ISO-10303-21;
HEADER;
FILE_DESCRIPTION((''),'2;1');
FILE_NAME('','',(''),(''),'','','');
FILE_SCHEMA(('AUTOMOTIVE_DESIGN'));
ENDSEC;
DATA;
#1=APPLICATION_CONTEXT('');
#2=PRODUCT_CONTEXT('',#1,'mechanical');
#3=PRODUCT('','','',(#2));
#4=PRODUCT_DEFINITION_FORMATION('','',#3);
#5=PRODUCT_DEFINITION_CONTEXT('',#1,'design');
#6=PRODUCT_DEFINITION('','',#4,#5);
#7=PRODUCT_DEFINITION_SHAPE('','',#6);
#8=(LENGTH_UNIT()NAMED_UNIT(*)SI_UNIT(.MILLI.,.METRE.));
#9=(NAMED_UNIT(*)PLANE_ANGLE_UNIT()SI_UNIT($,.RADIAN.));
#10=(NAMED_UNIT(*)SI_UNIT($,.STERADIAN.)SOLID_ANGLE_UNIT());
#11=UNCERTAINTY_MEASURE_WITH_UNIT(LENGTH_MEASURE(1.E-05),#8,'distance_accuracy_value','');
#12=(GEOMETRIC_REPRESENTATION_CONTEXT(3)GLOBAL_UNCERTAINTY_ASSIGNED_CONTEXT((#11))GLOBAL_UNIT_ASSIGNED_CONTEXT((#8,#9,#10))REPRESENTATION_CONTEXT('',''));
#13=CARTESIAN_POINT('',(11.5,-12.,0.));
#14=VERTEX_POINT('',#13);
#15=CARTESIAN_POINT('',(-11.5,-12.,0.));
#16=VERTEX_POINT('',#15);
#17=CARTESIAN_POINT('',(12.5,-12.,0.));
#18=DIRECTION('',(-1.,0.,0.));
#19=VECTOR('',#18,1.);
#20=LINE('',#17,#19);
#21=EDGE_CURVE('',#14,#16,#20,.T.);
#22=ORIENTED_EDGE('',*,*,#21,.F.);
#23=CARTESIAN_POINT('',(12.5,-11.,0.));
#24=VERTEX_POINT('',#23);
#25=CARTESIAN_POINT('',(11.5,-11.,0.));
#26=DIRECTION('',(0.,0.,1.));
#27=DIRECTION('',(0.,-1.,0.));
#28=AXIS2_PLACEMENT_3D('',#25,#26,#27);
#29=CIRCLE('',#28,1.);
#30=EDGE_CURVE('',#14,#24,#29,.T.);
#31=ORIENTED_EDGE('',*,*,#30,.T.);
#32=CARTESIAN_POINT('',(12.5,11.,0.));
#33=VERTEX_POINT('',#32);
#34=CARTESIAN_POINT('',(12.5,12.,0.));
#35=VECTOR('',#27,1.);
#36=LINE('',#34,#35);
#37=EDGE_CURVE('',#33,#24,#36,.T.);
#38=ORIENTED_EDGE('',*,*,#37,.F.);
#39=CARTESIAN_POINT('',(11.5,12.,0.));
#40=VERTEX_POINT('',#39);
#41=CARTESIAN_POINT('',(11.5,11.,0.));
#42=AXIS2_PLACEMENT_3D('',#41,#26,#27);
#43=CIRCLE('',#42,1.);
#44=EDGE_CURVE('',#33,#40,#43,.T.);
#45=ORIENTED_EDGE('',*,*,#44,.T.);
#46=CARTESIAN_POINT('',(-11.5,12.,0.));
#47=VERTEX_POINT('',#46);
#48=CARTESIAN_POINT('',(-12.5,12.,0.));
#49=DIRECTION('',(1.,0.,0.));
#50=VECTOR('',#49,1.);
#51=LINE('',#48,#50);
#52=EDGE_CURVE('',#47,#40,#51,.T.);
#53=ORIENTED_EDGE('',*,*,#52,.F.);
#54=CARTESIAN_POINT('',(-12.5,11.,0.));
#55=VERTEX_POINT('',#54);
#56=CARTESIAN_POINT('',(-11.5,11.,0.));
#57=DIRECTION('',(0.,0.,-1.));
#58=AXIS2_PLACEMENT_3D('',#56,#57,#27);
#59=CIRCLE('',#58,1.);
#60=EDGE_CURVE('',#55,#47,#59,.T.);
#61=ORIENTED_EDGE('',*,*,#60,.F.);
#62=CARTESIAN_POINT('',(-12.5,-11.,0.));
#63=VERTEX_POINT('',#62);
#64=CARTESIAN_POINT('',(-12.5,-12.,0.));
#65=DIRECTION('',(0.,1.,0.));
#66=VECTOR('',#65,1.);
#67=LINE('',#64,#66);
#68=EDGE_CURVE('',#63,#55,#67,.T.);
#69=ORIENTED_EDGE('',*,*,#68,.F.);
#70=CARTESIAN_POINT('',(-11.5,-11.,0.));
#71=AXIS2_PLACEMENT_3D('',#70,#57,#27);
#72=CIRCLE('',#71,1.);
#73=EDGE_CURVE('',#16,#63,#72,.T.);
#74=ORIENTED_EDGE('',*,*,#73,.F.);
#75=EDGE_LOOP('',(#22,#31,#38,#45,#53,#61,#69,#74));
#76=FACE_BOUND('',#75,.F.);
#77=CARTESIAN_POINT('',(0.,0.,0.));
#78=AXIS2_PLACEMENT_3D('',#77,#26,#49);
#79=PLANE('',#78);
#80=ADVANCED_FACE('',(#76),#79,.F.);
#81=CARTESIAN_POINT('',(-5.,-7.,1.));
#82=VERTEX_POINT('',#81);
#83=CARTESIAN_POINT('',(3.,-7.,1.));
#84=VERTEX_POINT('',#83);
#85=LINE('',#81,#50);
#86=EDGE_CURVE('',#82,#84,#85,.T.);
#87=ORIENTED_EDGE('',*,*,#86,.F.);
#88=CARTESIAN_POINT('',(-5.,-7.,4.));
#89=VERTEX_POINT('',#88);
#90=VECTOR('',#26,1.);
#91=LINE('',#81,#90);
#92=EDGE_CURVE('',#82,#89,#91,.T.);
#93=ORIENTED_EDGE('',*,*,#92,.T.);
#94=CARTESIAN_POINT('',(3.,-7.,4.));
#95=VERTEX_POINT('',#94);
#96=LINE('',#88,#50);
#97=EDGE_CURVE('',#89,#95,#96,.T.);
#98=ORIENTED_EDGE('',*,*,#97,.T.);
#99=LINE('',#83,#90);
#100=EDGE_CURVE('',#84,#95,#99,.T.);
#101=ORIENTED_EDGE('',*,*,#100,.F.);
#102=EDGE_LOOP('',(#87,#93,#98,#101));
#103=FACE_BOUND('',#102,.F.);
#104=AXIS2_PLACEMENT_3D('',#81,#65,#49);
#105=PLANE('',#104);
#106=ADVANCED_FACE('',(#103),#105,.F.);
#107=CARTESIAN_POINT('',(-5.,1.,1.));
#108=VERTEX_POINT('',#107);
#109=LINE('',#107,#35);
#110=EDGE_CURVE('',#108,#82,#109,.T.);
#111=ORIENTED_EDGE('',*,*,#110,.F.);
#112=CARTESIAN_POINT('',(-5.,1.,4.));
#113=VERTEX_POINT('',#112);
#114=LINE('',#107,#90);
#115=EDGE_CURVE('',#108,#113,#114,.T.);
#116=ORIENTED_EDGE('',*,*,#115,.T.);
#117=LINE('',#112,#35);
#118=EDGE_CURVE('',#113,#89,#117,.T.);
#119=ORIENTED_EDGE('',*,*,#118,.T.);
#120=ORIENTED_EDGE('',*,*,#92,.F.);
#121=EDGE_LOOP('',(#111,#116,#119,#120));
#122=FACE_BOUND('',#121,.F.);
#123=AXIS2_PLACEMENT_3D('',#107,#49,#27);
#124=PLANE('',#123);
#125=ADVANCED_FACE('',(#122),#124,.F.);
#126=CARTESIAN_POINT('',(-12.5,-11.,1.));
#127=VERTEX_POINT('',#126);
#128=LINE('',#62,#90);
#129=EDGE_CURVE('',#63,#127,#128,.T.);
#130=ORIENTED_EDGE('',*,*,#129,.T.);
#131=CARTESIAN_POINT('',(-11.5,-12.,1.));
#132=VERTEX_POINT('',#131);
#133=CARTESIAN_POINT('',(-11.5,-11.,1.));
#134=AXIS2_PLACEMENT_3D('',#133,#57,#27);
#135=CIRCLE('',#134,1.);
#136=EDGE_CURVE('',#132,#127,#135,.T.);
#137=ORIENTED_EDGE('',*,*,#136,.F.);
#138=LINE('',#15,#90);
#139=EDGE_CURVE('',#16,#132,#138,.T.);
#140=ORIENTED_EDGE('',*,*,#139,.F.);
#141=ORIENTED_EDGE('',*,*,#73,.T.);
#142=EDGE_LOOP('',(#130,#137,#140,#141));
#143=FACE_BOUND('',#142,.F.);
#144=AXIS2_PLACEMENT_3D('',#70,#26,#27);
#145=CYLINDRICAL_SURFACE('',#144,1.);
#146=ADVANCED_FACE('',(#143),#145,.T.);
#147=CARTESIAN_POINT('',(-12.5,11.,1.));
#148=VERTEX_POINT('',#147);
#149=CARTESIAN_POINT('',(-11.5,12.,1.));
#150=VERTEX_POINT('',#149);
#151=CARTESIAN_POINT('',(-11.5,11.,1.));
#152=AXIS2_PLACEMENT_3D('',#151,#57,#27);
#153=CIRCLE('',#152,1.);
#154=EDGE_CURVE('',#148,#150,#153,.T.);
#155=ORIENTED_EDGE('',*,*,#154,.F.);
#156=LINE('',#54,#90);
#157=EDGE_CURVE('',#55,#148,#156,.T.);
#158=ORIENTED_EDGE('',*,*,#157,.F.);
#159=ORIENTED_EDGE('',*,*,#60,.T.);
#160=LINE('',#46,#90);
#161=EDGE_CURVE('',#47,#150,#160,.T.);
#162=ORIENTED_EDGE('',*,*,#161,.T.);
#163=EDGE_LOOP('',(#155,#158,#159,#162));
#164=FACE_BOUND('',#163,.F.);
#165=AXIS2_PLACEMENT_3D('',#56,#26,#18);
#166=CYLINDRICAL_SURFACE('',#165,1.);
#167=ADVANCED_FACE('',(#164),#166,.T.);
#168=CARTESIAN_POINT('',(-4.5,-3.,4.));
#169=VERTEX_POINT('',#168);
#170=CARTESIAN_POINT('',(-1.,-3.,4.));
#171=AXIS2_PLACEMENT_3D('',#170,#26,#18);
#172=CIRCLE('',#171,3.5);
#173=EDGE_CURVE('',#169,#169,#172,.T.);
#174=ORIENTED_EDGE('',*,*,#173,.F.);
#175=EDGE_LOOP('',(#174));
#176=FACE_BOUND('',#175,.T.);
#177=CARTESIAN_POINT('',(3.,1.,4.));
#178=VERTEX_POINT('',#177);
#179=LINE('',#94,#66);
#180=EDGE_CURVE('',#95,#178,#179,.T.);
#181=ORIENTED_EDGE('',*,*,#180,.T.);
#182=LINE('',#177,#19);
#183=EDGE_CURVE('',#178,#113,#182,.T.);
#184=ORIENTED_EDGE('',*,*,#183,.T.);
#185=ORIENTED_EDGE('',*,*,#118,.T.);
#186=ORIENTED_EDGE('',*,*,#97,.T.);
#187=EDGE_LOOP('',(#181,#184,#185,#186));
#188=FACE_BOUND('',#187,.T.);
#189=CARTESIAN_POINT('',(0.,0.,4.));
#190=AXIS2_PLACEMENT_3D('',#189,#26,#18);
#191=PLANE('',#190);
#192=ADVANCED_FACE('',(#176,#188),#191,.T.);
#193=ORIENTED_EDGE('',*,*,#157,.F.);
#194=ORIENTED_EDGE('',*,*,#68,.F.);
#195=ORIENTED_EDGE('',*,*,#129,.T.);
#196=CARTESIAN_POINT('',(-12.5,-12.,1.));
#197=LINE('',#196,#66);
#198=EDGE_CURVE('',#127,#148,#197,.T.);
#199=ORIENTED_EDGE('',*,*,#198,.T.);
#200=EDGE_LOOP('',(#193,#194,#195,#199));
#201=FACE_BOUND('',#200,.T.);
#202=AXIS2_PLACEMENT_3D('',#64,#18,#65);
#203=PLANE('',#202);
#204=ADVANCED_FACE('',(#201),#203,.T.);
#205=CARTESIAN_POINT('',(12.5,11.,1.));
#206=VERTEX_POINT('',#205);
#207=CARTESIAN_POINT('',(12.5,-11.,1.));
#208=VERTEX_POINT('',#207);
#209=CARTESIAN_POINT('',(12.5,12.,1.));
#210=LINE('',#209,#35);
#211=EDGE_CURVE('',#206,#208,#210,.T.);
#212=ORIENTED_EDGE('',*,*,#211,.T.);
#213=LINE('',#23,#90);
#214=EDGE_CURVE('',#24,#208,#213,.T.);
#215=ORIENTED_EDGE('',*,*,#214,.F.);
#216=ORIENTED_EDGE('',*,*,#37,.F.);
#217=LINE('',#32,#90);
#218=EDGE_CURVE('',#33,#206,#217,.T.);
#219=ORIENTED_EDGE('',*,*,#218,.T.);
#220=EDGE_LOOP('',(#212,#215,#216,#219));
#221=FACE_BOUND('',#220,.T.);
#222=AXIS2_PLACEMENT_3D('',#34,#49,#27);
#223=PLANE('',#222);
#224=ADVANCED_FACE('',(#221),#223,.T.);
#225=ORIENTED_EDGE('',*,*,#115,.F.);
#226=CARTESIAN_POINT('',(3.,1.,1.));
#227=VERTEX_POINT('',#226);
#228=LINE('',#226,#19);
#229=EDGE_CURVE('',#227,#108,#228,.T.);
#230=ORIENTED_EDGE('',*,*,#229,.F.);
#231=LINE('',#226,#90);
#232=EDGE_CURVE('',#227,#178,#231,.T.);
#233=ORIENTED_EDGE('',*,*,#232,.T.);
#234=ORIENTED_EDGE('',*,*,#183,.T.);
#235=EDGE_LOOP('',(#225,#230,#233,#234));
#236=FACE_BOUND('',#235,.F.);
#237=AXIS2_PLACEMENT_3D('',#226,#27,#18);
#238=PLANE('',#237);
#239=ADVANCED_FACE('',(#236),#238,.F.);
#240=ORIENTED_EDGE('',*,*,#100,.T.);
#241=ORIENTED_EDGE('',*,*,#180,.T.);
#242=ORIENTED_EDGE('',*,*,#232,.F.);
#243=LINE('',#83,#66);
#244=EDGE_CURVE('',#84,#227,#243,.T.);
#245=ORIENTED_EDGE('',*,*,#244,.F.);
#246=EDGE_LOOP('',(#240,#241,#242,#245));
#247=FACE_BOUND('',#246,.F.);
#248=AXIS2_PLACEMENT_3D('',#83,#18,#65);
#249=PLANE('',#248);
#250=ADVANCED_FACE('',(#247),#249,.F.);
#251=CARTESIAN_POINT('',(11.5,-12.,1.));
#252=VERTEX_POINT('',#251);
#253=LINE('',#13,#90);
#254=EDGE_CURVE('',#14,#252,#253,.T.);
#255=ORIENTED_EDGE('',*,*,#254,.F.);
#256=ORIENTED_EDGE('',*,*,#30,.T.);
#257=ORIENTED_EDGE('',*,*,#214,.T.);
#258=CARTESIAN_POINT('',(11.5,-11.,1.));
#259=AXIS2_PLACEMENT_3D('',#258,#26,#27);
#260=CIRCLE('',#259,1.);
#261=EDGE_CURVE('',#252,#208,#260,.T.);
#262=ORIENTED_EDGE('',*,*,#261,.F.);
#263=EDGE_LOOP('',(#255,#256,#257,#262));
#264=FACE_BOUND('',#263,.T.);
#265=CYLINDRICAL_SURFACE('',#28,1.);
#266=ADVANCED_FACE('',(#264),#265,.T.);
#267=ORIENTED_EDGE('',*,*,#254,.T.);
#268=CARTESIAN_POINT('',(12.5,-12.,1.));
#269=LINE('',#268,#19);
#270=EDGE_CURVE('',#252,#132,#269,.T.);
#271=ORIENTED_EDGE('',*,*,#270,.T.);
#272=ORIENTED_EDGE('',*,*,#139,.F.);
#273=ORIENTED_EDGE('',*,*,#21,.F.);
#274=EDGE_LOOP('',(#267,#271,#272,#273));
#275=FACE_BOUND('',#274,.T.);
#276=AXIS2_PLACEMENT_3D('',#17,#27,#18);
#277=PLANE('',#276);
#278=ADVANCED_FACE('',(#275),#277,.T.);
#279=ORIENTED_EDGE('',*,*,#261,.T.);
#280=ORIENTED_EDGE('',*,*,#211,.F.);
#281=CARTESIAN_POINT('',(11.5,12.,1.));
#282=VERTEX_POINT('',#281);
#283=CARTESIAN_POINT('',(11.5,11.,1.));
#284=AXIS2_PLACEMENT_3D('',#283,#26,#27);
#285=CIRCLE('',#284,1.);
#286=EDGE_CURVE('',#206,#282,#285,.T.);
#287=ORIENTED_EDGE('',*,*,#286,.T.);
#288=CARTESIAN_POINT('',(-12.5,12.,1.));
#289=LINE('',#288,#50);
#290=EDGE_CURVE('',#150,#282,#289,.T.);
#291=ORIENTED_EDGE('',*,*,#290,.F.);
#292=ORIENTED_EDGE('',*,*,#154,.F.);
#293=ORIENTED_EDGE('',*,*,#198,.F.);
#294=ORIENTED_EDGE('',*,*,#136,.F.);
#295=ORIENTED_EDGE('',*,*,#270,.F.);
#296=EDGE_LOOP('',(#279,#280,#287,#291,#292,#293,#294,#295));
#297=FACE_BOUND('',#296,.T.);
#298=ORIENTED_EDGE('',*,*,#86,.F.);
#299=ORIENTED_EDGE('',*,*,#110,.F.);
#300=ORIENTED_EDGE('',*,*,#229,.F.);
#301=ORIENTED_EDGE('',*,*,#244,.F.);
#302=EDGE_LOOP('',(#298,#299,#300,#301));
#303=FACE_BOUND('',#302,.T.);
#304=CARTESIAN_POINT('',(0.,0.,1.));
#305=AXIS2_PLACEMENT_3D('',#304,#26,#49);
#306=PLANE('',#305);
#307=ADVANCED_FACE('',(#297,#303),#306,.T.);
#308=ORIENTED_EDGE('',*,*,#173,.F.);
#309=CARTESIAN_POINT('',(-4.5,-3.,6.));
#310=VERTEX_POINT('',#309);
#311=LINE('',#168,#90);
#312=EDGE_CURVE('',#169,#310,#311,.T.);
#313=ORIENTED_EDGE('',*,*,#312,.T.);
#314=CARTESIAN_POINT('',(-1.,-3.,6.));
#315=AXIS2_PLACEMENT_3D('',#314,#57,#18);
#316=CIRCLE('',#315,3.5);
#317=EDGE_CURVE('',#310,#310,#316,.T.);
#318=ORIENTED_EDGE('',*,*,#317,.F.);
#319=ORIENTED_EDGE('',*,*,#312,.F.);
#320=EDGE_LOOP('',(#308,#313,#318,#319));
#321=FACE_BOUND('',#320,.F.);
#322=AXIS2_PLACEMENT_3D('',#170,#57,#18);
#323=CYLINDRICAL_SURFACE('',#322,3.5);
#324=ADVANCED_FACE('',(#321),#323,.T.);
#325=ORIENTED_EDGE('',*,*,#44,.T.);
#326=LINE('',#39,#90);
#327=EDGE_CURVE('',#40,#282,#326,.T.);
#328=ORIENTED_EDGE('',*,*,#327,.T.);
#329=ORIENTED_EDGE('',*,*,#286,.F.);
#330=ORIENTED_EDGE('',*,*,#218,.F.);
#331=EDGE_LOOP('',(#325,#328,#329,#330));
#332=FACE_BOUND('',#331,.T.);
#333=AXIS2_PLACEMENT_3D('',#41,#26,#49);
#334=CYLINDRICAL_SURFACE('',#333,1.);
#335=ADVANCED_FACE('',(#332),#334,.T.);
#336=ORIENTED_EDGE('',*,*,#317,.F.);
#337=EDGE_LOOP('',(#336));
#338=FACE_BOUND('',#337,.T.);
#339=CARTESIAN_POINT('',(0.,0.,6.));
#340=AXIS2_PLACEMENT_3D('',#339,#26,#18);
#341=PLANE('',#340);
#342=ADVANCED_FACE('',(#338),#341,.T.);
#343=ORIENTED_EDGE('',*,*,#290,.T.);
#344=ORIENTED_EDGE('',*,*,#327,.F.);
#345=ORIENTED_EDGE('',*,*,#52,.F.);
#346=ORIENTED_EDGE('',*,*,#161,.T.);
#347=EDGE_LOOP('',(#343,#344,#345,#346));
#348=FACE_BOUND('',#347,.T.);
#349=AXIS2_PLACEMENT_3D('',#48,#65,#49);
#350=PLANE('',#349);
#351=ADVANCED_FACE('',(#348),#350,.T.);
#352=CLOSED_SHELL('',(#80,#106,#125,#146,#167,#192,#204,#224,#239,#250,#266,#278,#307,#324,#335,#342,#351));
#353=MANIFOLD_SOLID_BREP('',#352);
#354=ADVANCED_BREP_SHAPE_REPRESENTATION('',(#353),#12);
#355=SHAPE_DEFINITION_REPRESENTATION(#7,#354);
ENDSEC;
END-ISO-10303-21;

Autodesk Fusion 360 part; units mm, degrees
sketch "Sketch1" plane through (0, 0, 0) normal (0, 0, 1) x (1, 0, 0)
  line L0 (12.5, -12) -> (-12.5, -12)
  line L1 (-12.5, -12) -> (-12.5, 12)
  line L2 (-12.5, 12) -> (12.5, 12)
  line L3 (12.5, 12) -> (12.5, -12)
  line L4 (12.5, -12) -> (-12.5, 12) construction
  line L5 (-12.5, -12) -> (12.5, 12) construction
  dimension "d1" = 25
  dimension "d2" = 24
extrude "Extrude1" add sketch "Sketch1" along normal blind 1
sketch "Sketch2" plane through (0, 0, 1) normal (0, 0, 1) x (-1, 0, 0)
  line L0 (-12.5, -12) -> (12.5, -12)
  line L1 (12.5, -12) -> (12.5, 12)
  line L2 (12.5, 12) -> (-12.5, 12)
  line L3 (-12.5, 12) -> (-12.5, -12)
  line L4 (5, 7) -> (-3, 7)
  line L5 (-3, 7) -> (-3, -1)
  line L6 (-3, -1) -> (5, -1)
  line L7 (5, -1) -> (5, 7)
  dimension "d5" = 8
  dimension "d6" = 8
  dimension "d7" = 7.5
  dimension "d8" = 5
extrude "Extrude2" add sketch "Sketch2" along normal blind 3 contours L4 L5 L6 L7
sketch "Sketch3" plane through (0, 0, 4) normal (0, 0, 1) x (-1, 0, 0)
  line L0 (5, -1) -> (5, 7)
  line L1 (5, 7) -> (-3, 7)
  line L2 (-3, 7) -> (-3, -1)
  line L3 (-3, -1) -> (5, -1)
  line L4 (-3, 3) -> (5, 3)
  line L5 (1, -1) -> (1, 7)
  circle A0 centre (1, 3) radius 3.5
  dimension "d11" = 7
extrude "Extrude3" add sketch "Sketch3" along normal blind 2 contours L4 L5 A0 | L4 L5 A0 | L4 L5 A0 | L4 L5 A0
fillet "Fillet1" radius 1 4 edges at (-12.5, -12, 0.5) (12.5, 12, 0.5) (12.5, -12, 0.5) (-12.5, 12, 0.5)
